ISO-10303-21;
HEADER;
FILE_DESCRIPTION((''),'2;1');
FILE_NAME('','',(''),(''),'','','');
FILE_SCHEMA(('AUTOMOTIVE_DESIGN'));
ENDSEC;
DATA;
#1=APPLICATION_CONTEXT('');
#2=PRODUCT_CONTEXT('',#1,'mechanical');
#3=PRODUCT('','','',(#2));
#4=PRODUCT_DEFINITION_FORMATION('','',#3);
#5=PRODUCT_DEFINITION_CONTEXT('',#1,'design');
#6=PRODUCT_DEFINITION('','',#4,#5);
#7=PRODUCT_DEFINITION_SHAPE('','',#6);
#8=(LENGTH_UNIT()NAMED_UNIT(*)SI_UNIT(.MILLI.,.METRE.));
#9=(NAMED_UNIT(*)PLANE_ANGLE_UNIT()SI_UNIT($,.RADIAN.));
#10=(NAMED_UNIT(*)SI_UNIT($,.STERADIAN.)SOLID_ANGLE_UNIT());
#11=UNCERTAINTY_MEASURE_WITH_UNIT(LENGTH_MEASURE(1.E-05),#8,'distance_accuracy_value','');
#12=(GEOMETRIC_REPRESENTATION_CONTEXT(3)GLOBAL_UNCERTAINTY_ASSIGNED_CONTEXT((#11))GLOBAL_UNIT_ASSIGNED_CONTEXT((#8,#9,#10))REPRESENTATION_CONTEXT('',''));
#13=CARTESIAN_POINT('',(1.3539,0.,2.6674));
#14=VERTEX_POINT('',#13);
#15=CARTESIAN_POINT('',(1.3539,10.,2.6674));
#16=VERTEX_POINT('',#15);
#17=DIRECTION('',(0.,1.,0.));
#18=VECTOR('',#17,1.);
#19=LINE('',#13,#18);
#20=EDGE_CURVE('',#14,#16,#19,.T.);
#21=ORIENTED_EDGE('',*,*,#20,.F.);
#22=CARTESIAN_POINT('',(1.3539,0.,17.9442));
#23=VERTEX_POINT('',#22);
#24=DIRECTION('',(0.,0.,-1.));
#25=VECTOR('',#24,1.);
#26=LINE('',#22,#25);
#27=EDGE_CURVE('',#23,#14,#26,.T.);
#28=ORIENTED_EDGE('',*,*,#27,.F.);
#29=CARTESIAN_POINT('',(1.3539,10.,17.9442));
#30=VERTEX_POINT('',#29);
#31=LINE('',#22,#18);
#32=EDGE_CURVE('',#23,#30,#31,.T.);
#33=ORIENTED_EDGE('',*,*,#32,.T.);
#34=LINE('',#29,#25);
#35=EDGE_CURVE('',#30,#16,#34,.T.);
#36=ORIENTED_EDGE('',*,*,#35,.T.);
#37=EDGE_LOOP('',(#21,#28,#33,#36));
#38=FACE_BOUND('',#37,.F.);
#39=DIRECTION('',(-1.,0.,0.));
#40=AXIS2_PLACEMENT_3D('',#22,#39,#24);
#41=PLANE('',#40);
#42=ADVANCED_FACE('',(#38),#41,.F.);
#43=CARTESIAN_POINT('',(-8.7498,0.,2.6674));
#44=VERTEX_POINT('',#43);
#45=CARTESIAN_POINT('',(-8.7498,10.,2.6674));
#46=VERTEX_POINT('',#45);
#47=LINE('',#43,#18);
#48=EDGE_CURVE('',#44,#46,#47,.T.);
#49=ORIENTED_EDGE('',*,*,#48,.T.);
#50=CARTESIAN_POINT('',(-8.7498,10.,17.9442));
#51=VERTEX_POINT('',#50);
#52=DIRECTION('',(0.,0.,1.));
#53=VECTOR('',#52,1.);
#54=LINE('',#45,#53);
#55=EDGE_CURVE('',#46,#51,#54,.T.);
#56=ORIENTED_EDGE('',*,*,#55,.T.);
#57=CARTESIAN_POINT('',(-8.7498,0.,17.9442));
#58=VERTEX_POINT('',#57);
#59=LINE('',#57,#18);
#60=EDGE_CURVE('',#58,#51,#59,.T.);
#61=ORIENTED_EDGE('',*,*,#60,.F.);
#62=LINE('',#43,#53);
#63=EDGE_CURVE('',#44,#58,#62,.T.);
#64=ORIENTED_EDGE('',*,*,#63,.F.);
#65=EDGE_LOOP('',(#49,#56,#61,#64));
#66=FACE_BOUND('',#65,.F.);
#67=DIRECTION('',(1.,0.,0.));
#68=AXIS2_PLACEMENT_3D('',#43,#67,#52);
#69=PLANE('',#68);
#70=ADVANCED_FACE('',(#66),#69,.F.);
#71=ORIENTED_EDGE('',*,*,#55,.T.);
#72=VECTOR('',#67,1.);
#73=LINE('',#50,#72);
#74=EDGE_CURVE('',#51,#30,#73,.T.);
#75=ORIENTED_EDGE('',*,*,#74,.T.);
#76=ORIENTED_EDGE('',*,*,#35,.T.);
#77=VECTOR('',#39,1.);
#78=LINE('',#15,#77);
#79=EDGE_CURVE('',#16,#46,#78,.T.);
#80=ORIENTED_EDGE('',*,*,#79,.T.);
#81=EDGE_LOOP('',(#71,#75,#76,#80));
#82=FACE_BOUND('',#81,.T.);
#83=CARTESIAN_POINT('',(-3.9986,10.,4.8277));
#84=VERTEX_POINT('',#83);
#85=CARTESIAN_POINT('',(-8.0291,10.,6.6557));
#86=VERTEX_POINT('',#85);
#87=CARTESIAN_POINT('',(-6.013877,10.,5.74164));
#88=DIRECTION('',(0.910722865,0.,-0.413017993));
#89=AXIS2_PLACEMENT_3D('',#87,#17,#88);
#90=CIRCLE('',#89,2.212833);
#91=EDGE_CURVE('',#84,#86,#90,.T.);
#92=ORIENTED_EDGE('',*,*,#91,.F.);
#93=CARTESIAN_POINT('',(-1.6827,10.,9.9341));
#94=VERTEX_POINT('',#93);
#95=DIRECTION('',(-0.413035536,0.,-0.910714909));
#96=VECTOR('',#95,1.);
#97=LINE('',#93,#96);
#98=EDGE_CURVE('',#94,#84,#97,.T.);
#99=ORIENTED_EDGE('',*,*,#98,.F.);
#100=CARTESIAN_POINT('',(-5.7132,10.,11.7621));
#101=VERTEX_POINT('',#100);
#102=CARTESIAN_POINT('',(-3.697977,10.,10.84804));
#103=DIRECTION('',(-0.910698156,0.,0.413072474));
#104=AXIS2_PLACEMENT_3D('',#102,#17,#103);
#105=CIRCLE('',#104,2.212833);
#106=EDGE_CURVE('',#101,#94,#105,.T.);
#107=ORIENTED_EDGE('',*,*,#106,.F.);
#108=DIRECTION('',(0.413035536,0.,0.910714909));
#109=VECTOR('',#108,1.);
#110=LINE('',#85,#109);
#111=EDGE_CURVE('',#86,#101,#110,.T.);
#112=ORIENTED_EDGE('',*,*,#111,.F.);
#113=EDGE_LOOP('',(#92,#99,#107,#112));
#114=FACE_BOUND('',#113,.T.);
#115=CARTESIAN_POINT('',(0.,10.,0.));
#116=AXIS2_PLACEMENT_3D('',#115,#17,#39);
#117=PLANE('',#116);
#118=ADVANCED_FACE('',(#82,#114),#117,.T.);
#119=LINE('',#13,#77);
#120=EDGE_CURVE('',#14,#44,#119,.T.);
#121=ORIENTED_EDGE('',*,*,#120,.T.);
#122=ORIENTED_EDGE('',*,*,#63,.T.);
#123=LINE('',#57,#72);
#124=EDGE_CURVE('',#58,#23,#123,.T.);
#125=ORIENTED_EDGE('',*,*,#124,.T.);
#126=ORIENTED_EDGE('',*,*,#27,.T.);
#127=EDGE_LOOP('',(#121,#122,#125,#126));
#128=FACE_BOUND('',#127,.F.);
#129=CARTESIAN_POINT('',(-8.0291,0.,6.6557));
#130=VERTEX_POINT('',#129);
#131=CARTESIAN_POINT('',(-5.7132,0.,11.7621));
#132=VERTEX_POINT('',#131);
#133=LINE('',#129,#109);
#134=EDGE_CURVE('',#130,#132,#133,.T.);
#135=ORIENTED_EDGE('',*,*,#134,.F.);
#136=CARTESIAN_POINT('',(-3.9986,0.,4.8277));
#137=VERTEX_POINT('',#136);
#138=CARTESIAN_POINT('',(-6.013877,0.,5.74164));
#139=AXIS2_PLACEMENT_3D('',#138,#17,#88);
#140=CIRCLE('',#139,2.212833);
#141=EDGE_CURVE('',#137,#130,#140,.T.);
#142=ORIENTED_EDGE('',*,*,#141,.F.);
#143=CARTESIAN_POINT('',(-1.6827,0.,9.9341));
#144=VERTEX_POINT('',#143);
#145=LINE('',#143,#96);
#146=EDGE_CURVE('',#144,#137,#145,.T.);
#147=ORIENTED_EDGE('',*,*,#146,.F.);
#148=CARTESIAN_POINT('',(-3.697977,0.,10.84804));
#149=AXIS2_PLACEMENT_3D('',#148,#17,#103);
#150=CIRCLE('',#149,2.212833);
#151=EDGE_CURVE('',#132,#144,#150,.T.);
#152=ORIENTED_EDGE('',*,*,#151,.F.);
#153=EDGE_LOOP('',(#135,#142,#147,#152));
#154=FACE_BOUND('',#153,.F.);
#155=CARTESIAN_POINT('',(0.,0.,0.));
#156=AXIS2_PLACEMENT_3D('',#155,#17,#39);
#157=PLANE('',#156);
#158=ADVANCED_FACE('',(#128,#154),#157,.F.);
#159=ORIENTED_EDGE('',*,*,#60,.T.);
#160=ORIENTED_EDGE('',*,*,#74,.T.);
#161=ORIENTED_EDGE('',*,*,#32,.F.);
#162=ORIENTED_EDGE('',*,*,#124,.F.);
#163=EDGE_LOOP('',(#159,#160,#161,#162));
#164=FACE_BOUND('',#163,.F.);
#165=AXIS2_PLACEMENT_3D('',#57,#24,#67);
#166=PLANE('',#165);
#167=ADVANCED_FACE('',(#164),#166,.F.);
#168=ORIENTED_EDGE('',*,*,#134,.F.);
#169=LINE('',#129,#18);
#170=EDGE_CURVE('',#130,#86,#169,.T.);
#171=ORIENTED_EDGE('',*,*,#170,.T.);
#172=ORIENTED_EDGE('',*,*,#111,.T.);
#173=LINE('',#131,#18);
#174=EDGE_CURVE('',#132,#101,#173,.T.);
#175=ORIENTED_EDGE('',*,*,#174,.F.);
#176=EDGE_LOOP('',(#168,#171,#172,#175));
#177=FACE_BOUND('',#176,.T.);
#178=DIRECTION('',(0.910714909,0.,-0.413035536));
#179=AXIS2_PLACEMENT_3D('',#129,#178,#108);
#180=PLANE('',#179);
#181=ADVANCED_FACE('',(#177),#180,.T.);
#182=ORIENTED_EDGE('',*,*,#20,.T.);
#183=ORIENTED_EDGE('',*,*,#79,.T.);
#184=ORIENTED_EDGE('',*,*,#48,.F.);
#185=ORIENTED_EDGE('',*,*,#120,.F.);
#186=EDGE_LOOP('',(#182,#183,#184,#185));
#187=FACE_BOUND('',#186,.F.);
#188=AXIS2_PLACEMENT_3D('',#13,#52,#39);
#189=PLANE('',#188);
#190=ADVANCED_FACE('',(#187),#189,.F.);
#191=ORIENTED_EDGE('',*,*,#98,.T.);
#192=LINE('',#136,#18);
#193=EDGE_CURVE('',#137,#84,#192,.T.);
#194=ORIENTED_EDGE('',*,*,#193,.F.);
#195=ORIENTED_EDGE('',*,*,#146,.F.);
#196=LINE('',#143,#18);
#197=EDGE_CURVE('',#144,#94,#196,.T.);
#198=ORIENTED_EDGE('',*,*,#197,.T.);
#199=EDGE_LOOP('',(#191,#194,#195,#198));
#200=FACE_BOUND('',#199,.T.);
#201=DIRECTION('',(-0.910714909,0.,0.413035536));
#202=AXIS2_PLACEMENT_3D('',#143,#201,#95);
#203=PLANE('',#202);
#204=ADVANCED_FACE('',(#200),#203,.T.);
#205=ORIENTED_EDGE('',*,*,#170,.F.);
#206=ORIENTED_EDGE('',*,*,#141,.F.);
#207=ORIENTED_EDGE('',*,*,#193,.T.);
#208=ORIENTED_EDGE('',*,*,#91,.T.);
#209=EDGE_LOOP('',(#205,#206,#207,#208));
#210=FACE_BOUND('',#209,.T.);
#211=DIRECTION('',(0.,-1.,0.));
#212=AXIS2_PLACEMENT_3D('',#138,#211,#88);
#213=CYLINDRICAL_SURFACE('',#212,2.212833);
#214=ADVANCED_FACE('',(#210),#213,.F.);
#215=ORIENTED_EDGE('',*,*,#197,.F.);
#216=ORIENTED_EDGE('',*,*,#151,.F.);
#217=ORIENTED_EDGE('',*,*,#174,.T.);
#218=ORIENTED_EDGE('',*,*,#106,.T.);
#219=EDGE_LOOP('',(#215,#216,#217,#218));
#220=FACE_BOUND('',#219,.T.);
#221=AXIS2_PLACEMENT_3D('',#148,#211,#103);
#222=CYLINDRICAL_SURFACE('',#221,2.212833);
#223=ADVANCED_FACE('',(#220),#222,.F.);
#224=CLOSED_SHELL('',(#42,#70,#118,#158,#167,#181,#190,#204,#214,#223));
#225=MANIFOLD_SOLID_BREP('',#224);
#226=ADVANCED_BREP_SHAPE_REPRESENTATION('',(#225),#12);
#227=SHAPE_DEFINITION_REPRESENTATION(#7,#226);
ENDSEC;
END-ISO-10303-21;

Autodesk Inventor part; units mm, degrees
ref_plane "YZ Plane" through (0, 0, 0) normal (1, 0, 0) x (0, 1, 0)
ref_plane "XZ Plane" through (0, 0, 0) normal (0, 1, 0) x (-1, 0, 0)
ref_plane "XY Plane" through (0, 0, 0) normal (0, 0, 1) x (1, 0, 0)
sketch "Sketch1" plane through (0, 0, 0) normal (0, 1, 0) x (-1, 0, 0)
  line L0 (8.7498, 17.9442) -> (-1.3539, 17.9442)
  line L1 (-1.3539, 17.9442) -> (-1.3539, 2.6674)
  line L2 (-1.3539, 2.6674) -> (8.7498, 2.6674)
  line L3 (8.7498, 2.6674) -> (8.7498, 17.9442)
  line L4 (6.0139, 5.7417) -> (3.698, 10.8481) construction
  line L5 (8.0291, 6.6557) -> (5.7132, 11.7621)
  line L6 (1.6827, 9.9341) -> (3.9986, 4.8277)
  arc A0 (3.9986, 4.8277) -> (8.0291, 6.6557) centre (6.0139, 5.7417) ccw
  arc A1 (5.7132, 11.7621) -> (1.6827, 9.9341) centre (3.698, 10.8481) ccw
  point P0 (0, 0)
  point P1 (4.8559, 8.2949)
extrude "Extrusion1" add sketch "Sketch1" along normal blind 10
